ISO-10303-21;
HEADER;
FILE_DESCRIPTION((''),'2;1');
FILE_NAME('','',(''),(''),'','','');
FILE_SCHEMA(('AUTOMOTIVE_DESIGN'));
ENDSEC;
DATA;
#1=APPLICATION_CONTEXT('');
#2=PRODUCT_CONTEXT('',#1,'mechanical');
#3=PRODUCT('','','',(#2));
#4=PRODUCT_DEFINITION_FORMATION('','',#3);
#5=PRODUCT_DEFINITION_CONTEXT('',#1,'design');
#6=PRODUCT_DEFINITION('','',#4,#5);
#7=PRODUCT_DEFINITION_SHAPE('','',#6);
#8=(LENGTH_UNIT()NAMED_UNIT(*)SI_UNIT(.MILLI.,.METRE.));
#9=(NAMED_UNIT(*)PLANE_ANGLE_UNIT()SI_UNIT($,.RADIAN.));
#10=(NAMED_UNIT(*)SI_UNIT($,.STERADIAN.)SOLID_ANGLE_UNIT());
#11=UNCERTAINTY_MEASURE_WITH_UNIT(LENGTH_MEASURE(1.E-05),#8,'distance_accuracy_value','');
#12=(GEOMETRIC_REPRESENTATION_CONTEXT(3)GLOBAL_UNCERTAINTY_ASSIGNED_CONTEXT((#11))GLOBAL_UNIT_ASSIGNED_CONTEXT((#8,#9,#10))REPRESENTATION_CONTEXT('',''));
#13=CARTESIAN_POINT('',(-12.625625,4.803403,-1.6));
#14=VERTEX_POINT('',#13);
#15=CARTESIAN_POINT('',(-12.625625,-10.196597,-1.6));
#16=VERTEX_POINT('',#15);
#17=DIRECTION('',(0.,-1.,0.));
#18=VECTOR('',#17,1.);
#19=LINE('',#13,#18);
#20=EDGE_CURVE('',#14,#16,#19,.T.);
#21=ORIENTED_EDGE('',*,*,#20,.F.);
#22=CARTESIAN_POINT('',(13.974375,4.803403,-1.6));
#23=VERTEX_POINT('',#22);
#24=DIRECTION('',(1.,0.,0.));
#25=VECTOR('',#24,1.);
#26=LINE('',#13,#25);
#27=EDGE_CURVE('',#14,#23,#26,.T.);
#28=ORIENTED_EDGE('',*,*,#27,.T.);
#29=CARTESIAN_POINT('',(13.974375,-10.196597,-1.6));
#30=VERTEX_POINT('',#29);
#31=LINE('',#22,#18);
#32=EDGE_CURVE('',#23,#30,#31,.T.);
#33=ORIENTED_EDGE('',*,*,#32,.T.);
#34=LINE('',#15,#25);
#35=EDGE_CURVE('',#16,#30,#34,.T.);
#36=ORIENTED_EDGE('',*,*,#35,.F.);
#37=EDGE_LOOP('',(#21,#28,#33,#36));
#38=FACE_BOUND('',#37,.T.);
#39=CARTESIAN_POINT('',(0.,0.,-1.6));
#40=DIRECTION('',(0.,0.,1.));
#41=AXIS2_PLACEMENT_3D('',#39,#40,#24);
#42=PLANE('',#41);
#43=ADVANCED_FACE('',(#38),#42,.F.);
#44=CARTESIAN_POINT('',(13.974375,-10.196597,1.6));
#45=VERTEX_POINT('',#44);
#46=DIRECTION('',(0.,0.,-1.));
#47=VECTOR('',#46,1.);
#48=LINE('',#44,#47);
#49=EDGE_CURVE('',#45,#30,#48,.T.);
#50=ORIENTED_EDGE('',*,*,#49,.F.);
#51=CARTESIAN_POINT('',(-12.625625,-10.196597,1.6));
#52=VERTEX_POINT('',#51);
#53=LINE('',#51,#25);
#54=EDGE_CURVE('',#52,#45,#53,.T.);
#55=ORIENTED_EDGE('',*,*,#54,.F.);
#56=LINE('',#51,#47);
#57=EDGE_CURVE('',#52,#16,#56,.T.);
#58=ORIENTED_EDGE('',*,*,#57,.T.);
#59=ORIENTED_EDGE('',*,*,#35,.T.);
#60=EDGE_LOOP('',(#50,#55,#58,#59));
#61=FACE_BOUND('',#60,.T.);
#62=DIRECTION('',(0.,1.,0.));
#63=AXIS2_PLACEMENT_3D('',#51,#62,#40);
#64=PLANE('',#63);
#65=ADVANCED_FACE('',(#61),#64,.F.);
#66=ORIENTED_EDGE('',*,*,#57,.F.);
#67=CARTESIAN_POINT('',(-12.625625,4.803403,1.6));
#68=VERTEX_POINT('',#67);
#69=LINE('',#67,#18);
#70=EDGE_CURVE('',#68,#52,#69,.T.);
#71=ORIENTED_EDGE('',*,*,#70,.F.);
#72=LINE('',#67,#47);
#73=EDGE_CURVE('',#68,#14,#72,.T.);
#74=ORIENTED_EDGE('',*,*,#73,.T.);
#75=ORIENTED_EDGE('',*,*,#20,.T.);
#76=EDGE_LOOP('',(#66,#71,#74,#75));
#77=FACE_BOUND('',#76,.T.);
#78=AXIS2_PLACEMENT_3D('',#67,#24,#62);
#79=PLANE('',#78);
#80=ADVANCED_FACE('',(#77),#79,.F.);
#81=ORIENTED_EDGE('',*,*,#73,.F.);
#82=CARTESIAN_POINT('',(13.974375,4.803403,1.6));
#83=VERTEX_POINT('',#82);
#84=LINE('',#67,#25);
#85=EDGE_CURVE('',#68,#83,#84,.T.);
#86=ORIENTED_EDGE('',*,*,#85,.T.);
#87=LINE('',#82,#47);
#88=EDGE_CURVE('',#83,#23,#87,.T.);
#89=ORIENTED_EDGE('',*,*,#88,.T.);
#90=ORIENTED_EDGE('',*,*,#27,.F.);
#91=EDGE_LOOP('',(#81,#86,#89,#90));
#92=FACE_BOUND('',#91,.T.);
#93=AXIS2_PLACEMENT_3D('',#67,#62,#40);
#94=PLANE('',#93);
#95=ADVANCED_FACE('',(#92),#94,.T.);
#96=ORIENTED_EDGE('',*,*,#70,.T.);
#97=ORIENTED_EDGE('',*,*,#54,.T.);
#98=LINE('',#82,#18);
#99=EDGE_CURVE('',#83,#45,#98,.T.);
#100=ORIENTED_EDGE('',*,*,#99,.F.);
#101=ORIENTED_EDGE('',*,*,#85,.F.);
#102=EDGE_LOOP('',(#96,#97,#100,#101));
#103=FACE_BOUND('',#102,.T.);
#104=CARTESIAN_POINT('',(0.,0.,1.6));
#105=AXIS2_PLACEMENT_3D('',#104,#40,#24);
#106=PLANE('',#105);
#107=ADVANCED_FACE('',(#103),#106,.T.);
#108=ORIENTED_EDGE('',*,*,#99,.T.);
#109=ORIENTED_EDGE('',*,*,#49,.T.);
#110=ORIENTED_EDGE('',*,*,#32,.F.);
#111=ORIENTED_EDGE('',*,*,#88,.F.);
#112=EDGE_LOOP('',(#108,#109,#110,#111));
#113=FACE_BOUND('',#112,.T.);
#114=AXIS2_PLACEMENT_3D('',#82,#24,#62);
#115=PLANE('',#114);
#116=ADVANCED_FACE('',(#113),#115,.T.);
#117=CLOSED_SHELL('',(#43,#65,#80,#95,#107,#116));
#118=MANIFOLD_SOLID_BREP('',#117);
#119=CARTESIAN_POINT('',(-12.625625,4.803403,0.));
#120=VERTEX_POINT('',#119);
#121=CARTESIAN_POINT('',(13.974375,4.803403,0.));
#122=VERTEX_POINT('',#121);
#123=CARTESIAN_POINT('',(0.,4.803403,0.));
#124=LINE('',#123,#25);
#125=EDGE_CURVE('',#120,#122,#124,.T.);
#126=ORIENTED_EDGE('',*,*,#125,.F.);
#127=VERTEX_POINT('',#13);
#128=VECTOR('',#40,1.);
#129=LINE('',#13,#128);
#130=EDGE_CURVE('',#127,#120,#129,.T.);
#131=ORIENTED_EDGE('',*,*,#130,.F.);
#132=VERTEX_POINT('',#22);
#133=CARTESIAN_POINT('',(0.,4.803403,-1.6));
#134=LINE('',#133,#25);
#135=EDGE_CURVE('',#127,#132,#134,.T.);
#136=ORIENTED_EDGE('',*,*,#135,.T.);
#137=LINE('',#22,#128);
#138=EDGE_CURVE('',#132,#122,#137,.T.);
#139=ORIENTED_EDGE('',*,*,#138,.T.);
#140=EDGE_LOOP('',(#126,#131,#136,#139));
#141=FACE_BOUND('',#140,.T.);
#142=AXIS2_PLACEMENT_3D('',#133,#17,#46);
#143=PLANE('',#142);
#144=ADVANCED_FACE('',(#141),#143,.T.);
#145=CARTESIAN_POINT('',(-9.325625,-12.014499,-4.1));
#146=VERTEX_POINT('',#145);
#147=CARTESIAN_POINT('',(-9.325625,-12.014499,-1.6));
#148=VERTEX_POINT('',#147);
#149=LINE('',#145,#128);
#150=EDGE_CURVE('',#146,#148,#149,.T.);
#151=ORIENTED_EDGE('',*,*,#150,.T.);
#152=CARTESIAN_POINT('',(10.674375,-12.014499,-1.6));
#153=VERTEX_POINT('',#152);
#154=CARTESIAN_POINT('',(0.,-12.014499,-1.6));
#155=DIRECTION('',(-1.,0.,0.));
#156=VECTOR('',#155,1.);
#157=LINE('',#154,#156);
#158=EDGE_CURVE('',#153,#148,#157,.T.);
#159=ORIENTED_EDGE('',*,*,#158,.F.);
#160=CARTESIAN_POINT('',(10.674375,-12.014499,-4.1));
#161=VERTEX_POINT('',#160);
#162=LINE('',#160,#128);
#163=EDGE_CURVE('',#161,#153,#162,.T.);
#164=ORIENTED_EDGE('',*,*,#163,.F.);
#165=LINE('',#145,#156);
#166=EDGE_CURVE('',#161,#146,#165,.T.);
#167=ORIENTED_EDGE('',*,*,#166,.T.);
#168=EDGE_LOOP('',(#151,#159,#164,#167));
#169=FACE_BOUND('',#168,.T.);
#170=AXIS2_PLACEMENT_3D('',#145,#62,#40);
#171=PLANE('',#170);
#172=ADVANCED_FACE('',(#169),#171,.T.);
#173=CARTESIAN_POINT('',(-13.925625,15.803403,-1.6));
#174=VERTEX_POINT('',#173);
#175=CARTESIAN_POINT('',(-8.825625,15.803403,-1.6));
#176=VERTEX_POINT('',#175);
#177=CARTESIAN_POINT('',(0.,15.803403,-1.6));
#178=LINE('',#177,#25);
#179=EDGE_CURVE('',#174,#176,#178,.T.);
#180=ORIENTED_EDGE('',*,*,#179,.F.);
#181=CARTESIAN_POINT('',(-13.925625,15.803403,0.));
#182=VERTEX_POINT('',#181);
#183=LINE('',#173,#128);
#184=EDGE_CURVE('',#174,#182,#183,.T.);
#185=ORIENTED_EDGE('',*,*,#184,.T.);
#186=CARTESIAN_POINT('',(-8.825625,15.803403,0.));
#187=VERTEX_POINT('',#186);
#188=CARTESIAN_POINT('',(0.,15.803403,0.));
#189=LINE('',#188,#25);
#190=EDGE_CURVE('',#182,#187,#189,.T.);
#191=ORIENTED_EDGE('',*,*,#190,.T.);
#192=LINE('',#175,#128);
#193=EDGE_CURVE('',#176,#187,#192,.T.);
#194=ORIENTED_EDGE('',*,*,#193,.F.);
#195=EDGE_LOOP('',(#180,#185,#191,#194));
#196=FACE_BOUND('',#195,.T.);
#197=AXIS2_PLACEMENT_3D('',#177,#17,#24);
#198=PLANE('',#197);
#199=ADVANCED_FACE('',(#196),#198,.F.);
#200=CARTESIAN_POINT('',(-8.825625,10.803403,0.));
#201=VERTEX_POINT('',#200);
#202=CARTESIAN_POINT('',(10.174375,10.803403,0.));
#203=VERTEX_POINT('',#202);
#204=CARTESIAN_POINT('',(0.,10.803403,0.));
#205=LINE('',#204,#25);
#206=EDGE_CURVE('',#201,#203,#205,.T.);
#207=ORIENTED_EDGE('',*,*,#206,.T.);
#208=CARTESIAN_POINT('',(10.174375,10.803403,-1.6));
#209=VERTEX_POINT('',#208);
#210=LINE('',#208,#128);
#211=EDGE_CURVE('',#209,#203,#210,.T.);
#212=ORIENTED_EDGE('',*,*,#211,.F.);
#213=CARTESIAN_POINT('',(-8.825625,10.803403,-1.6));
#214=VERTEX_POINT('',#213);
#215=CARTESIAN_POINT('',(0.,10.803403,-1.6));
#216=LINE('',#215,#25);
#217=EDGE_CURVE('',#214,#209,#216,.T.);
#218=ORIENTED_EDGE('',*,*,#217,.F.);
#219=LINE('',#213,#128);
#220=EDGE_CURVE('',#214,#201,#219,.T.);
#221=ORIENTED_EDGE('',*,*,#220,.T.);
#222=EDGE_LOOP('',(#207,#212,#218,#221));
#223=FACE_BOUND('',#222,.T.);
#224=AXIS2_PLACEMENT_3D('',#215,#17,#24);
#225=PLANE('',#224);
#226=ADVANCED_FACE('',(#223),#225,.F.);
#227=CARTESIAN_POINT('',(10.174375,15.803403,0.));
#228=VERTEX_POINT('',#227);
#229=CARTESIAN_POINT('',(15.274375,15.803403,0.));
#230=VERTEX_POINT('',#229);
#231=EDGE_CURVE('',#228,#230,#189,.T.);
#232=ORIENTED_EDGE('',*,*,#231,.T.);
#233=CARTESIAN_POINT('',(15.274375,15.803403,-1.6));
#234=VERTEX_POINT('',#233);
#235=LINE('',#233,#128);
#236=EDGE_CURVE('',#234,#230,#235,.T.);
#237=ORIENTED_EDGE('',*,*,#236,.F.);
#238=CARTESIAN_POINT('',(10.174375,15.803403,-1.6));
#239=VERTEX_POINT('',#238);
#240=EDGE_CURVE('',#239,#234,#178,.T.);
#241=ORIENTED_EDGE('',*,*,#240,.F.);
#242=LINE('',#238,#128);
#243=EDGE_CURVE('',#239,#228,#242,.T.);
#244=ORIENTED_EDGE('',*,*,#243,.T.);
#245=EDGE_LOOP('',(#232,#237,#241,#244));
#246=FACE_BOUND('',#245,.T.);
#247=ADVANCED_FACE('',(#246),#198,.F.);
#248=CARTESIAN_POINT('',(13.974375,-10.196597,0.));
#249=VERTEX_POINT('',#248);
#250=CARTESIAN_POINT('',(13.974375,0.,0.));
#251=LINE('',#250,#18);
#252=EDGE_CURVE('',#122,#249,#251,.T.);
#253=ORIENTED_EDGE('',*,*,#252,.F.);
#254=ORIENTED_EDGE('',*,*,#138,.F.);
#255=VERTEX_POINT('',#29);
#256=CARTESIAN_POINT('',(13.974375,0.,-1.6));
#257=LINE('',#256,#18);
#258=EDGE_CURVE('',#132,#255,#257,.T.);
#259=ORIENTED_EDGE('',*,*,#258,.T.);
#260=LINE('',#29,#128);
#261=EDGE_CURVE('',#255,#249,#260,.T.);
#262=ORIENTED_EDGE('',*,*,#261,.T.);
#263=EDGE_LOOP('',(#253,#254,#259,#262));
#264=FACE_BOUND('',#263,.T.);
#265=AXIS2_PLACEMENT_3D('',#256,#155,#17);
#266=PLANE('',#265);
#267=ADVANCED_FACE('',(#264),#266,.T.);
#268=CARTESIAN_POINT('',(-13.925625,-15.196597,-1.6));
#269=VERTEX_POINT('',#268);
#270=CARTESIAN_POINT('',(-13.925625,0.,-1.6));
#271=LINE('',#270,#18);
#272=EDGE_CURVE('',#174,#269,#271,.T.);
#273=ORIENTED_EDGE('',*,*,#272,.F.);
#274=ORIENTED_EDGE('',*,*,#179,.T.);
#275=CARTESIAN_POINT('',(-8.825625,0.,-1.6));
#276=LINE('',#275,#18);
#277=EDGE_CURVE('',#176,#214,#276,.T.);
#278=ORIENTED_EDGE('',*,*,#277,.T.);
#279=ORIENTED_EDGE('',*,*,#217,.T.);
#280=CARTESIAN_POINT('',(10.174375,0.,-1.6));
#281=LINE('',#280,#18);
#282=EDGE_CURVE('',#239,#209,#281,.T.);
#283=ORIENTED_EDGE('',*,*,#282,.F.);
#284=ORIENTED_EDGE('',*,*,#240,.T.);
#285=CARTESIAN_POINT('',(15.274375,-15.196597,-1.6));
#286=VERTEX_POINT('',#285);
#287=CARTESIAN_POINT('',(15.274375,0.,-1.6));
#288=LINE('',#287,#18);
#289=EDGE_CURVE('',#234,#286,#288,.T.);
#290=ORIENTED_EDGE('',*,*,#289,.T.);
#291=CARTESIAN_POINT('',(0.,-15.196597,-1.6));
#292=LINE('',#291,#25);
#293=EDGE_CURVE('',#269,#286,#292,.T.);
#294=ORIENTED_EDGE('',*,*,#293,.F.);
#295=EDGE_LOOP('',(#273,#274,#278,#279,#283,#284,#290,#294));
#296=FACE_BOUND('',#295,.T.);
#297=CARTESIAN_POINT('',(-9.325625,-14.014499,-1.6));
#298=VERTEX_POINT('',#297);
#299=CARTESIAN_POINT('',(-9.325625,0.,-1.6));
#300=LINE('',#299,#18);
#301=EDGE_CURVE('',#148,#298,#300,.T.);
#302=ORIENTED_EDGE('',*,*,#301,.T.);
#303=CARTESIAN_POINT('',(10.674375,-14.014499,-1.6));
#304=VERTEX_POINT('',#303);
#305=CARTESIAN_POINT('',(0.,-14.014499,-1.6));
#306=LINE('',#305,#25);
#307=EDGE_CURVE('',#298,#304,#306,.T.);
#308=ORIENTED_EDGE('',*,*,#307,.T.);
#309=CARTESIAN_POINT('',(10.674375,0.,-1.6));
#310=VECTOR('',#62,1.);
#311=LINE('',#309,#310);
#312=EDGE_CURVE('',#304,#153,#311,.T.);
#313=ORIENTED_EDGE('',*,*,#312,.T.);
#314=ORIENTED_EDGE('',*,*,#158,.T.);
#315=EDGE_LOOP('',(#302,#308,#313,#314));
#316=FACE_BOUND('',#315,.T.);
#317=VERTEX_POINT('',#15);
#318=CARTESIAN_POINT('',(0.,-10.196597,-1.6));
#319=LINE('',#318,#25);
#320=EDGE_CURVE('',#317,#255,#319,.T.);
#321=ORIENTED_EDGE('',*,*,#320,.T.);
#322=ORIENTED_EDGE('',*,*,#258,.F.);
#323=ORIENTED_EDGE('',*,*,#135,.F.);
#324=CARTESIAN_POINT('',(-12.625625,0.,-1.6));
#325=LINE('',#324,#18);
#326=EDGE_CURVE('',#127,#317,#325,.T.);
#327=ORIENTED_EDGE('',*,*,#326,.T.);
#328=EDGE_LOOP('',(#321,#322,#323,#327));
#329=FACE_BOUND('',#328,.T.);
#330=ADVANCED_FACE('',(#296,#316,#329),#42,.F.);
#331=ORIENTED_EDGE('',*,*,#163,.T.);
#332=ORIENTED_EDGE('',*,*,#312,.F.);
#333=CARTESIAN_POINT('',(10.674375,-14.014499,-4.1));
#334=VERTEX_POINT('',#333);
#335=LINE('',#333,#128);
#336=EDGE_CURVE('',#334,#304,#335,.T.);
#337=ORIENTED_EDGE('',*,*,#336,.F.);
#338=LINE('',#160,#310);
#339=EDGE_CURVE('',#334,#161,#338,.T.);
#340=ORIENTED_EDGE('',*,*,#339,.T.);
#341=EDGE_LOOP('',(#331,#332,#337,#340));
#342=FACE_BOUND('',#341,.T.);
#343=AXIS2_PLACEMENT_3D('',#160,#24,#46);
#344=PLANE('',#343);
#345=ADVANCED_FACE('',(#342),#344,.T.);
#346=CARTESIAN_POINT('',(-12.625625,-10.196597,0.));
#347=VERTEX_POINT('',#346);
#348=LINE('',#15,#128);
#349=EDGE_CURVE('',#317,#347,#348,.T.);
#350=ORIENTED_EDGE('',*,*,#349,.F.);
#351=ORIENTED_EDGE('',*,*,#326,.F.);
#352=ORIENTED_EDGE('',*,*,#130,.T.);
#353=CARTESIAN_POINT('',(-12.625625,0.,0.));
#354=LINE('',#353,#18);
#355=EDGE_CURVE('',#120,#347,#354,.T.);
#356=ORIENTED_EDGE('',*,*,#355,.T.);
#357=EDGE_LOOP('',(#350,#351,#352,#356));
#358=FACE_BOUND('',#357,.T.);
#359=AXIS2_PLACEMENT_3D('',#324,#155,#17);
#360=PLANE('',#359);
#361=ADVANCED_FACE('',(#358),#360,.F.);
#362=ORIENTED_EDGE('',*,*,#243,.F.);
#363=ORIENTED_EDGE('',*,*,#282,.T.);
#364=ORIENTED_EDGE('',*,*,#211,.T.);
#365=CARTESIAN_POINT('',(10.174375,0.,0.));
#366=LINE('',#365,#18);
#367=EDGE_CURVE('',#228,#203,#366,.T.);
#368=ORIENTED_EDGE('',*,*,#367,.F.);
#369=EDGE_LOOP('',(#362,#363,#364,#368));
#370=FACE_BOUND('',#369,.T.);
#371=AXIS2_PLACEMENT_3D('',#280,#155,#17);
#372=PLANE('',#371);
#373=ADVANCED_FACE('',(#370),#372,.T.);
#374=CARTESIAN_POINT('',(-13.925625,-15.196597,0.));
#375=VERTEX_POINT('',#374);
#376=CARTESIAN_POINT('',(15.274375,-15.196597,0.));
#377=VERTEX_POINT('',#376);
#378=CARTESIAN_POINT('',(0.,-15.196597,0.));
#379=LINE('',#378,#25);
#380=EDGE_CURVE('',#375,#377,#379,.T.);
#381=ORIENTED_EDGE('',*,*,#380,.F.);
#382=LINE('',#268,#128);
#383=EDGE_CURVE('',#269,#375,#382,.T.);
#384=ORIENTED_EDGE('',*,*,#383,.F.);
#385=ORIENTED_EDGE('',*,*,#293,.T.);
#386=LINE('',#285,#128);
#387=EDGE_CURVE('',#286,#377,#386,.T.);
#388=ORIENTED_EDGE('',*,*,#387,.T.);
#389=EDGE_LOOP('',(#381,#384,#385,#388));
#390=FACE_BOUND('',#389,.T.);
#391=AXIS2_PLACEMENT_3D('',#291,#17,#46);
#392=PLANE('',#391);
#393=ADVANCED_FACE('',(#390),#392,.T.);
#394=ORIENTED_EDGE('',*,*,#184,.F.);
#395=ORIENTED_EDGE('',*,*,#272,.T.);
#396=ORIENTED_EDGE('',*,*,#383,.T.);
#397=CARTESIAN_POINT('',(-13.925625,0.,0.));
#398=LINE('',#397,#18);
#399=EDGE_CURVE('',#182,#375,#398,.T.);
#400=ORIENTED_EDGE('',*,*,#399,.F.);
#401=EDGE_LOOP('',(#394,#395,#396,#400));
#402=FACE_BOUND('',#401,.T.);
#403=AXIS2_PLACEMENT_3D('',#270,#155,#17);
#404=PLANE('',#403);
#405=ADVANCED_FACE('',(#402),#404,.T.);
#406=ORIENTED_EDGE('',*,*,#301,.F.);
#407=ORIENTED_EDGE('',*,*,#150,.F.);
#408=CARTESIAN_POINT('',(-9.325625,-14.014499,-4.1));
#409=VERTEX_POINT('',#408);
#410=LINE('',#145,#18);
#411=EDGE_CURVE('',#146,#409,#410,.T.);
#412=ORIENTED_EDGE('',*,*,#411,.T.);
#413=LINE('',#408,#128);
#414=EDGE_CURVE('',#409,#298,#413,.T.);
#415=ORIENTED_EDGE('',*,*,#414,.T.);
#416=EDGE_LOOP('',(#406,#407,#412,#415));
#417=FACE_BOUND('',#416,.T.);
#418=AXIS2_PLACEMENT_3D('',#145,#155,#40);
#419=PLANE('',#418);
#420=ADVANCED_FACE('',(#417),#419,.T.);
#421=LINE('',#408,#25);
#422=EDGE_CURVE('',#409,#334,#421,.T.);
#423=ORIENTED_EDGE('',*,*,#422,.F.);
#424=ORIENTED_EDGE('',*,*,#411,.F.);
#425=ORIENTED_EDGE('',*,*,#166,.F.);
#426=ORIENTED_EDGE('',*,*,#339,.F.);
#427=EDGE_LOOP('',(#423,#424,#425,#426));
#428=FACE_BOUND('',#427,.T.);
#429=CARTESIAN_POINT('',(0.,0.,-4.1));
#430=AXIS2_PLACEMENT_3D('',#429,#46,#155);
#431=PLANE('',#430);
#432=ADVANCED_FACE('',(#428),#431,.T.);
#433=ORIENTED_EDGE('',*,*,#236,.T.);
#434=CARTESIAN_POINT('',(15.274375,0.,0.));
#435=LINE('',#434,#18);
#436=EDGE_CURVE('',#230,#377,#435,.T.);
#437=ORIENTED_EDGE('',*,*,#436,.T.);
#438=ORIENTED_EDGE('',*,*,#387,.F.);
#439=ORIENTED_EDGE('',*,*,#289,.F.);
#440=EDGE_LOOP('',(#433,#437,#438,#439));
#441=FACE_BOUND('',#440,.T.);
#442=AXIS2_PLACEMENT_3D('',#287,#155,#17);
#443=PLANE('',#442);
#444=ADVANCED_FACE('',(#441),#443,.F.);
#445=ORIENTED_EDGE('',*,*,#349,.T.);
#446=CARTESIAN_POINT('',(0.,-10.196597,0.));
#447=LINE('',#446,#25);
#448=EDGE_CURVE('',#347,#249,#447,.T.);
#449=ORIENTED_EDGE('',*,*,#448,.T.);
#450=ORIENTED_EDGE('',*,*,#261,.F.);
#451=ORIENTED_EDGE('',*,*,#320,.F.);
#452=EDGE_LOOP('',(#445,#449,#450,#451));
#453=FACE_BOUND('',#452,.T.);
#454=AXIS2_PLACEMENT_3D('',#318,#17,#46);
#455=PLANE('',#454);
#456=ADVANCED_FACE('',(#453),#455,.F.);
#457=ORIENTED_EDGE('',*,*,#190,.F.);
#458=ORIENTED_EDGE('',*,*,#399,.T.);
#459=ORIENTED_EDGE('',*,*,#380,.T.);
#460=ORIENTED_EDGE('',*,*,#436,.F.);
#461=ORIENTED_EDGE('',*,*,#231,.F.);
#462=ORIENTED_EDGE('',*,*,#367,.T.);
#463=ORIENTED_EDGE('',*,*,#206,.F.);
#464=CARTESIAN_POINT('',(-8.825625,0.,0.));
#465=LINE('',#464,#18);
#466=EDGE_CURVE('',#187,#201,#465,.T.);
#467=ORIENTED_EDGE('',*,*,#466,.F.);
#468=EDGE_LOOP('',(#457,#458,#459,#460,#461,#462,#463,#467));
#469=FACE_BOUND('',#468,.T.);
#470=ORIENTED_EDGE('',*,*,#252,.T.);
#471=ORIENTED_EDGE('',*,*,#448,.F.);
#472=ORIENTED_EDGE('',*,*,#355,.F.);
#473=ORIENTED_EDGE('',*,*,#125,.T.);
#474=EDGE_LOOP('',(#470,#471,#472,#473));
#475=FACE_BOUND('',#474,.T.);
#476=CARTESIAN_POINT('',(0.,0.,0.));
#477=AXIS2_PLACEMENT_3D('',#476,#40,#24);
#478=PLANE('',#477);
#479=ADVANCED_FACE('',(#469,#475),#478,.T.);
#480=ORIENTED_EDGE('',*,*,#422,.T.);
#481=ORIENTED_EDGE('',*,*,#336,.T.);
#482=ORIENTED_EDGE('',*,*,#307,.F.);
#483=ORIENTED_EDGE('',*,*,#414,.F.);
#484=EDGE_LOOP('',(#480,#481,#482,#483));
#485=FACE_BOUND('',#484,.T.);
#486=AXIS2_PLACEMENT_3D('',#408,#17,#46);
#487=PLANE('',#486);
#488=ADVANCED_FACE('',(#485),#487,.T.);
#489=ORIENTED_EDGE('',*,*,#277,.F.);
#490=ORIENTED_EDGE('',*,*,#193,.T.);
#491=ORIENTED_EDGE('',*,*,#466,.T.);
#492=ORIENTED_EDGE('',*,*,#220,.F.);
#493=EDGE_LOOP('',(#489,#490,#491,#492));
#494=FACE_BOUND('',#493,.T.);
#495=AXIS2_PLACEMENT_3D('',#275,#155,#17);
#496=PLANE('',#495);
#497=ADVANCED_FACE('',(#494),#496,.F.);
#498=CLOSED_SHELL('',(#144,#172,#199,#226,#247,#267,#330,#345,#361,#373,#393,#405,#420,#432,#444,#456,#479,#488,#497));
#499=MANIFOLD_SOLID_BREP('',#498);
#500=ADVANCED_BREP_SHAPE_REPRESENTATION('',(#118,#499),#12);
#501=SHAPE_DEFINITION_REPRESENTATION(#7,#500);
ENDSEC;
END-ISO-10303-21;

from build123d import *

# Parameters (mm, degrees)
SKETCH_1_W      = 26.6
SKETCH_1_H      = 15
EXTRUDE_1_DEPTH = 1.6
SKETCH_1_3_W    = 26.6
SKETCH_1_3_H    = 15
EXTRUDE_2_DEPTH = 1.6
SKETCH_5_W      = 20
SKETCH_5_H      = 2
EXTRUDE_3_DEPTH = 4.1


with BuildPart() as part:
    # 草图1 → 凸台-拉伸1 (new, symmetric)
    with BuildSketch(Plane.XY):
        with Locations((0.674374762, -2.696596571)):
            Rectangle(SKETCH_1_W, SKETCH_1_H)
    extrude(amount=EXTRUDE_1_DEPTH, both=True)


with BuildPart() as body_2:
    # 草图1<3> → 凸台-拉伸2 (new body)
    with BuildSketch(Plane.XY):
        Polygon((-8.825625238, 15.803403429), (-13.925625238, 15.803403429), (-13.925625238, -15.196596571), (15.274374762, -15.196596571), (15.274374762, 15.803403429), (10.174374762, 15.803403429), (10.174374762, 10.803403429), (-8.825625238, 10.803403429), align=None)
        with Locations((0.674374762, -2.696596571)):
            Rectangle(SKETCH_1_3_W, SKETCH_1_3_H, mode=Mode.SUBTRACT)
    extrude(amount=-EXTRUDE_2_DEPTH)

    # 草图5 → 凸台-拉伸3 (add)
    with BuildSketch(Plane.XY):
        with Locations((0.674374762, -13.014499015)):
            Rectangle(SKETCH_5_W, SKETCH_5_H)
    extrude(amount=-EXTRUDE_3_DEPTH)


solid = Compound([part.part, body_2.part])
